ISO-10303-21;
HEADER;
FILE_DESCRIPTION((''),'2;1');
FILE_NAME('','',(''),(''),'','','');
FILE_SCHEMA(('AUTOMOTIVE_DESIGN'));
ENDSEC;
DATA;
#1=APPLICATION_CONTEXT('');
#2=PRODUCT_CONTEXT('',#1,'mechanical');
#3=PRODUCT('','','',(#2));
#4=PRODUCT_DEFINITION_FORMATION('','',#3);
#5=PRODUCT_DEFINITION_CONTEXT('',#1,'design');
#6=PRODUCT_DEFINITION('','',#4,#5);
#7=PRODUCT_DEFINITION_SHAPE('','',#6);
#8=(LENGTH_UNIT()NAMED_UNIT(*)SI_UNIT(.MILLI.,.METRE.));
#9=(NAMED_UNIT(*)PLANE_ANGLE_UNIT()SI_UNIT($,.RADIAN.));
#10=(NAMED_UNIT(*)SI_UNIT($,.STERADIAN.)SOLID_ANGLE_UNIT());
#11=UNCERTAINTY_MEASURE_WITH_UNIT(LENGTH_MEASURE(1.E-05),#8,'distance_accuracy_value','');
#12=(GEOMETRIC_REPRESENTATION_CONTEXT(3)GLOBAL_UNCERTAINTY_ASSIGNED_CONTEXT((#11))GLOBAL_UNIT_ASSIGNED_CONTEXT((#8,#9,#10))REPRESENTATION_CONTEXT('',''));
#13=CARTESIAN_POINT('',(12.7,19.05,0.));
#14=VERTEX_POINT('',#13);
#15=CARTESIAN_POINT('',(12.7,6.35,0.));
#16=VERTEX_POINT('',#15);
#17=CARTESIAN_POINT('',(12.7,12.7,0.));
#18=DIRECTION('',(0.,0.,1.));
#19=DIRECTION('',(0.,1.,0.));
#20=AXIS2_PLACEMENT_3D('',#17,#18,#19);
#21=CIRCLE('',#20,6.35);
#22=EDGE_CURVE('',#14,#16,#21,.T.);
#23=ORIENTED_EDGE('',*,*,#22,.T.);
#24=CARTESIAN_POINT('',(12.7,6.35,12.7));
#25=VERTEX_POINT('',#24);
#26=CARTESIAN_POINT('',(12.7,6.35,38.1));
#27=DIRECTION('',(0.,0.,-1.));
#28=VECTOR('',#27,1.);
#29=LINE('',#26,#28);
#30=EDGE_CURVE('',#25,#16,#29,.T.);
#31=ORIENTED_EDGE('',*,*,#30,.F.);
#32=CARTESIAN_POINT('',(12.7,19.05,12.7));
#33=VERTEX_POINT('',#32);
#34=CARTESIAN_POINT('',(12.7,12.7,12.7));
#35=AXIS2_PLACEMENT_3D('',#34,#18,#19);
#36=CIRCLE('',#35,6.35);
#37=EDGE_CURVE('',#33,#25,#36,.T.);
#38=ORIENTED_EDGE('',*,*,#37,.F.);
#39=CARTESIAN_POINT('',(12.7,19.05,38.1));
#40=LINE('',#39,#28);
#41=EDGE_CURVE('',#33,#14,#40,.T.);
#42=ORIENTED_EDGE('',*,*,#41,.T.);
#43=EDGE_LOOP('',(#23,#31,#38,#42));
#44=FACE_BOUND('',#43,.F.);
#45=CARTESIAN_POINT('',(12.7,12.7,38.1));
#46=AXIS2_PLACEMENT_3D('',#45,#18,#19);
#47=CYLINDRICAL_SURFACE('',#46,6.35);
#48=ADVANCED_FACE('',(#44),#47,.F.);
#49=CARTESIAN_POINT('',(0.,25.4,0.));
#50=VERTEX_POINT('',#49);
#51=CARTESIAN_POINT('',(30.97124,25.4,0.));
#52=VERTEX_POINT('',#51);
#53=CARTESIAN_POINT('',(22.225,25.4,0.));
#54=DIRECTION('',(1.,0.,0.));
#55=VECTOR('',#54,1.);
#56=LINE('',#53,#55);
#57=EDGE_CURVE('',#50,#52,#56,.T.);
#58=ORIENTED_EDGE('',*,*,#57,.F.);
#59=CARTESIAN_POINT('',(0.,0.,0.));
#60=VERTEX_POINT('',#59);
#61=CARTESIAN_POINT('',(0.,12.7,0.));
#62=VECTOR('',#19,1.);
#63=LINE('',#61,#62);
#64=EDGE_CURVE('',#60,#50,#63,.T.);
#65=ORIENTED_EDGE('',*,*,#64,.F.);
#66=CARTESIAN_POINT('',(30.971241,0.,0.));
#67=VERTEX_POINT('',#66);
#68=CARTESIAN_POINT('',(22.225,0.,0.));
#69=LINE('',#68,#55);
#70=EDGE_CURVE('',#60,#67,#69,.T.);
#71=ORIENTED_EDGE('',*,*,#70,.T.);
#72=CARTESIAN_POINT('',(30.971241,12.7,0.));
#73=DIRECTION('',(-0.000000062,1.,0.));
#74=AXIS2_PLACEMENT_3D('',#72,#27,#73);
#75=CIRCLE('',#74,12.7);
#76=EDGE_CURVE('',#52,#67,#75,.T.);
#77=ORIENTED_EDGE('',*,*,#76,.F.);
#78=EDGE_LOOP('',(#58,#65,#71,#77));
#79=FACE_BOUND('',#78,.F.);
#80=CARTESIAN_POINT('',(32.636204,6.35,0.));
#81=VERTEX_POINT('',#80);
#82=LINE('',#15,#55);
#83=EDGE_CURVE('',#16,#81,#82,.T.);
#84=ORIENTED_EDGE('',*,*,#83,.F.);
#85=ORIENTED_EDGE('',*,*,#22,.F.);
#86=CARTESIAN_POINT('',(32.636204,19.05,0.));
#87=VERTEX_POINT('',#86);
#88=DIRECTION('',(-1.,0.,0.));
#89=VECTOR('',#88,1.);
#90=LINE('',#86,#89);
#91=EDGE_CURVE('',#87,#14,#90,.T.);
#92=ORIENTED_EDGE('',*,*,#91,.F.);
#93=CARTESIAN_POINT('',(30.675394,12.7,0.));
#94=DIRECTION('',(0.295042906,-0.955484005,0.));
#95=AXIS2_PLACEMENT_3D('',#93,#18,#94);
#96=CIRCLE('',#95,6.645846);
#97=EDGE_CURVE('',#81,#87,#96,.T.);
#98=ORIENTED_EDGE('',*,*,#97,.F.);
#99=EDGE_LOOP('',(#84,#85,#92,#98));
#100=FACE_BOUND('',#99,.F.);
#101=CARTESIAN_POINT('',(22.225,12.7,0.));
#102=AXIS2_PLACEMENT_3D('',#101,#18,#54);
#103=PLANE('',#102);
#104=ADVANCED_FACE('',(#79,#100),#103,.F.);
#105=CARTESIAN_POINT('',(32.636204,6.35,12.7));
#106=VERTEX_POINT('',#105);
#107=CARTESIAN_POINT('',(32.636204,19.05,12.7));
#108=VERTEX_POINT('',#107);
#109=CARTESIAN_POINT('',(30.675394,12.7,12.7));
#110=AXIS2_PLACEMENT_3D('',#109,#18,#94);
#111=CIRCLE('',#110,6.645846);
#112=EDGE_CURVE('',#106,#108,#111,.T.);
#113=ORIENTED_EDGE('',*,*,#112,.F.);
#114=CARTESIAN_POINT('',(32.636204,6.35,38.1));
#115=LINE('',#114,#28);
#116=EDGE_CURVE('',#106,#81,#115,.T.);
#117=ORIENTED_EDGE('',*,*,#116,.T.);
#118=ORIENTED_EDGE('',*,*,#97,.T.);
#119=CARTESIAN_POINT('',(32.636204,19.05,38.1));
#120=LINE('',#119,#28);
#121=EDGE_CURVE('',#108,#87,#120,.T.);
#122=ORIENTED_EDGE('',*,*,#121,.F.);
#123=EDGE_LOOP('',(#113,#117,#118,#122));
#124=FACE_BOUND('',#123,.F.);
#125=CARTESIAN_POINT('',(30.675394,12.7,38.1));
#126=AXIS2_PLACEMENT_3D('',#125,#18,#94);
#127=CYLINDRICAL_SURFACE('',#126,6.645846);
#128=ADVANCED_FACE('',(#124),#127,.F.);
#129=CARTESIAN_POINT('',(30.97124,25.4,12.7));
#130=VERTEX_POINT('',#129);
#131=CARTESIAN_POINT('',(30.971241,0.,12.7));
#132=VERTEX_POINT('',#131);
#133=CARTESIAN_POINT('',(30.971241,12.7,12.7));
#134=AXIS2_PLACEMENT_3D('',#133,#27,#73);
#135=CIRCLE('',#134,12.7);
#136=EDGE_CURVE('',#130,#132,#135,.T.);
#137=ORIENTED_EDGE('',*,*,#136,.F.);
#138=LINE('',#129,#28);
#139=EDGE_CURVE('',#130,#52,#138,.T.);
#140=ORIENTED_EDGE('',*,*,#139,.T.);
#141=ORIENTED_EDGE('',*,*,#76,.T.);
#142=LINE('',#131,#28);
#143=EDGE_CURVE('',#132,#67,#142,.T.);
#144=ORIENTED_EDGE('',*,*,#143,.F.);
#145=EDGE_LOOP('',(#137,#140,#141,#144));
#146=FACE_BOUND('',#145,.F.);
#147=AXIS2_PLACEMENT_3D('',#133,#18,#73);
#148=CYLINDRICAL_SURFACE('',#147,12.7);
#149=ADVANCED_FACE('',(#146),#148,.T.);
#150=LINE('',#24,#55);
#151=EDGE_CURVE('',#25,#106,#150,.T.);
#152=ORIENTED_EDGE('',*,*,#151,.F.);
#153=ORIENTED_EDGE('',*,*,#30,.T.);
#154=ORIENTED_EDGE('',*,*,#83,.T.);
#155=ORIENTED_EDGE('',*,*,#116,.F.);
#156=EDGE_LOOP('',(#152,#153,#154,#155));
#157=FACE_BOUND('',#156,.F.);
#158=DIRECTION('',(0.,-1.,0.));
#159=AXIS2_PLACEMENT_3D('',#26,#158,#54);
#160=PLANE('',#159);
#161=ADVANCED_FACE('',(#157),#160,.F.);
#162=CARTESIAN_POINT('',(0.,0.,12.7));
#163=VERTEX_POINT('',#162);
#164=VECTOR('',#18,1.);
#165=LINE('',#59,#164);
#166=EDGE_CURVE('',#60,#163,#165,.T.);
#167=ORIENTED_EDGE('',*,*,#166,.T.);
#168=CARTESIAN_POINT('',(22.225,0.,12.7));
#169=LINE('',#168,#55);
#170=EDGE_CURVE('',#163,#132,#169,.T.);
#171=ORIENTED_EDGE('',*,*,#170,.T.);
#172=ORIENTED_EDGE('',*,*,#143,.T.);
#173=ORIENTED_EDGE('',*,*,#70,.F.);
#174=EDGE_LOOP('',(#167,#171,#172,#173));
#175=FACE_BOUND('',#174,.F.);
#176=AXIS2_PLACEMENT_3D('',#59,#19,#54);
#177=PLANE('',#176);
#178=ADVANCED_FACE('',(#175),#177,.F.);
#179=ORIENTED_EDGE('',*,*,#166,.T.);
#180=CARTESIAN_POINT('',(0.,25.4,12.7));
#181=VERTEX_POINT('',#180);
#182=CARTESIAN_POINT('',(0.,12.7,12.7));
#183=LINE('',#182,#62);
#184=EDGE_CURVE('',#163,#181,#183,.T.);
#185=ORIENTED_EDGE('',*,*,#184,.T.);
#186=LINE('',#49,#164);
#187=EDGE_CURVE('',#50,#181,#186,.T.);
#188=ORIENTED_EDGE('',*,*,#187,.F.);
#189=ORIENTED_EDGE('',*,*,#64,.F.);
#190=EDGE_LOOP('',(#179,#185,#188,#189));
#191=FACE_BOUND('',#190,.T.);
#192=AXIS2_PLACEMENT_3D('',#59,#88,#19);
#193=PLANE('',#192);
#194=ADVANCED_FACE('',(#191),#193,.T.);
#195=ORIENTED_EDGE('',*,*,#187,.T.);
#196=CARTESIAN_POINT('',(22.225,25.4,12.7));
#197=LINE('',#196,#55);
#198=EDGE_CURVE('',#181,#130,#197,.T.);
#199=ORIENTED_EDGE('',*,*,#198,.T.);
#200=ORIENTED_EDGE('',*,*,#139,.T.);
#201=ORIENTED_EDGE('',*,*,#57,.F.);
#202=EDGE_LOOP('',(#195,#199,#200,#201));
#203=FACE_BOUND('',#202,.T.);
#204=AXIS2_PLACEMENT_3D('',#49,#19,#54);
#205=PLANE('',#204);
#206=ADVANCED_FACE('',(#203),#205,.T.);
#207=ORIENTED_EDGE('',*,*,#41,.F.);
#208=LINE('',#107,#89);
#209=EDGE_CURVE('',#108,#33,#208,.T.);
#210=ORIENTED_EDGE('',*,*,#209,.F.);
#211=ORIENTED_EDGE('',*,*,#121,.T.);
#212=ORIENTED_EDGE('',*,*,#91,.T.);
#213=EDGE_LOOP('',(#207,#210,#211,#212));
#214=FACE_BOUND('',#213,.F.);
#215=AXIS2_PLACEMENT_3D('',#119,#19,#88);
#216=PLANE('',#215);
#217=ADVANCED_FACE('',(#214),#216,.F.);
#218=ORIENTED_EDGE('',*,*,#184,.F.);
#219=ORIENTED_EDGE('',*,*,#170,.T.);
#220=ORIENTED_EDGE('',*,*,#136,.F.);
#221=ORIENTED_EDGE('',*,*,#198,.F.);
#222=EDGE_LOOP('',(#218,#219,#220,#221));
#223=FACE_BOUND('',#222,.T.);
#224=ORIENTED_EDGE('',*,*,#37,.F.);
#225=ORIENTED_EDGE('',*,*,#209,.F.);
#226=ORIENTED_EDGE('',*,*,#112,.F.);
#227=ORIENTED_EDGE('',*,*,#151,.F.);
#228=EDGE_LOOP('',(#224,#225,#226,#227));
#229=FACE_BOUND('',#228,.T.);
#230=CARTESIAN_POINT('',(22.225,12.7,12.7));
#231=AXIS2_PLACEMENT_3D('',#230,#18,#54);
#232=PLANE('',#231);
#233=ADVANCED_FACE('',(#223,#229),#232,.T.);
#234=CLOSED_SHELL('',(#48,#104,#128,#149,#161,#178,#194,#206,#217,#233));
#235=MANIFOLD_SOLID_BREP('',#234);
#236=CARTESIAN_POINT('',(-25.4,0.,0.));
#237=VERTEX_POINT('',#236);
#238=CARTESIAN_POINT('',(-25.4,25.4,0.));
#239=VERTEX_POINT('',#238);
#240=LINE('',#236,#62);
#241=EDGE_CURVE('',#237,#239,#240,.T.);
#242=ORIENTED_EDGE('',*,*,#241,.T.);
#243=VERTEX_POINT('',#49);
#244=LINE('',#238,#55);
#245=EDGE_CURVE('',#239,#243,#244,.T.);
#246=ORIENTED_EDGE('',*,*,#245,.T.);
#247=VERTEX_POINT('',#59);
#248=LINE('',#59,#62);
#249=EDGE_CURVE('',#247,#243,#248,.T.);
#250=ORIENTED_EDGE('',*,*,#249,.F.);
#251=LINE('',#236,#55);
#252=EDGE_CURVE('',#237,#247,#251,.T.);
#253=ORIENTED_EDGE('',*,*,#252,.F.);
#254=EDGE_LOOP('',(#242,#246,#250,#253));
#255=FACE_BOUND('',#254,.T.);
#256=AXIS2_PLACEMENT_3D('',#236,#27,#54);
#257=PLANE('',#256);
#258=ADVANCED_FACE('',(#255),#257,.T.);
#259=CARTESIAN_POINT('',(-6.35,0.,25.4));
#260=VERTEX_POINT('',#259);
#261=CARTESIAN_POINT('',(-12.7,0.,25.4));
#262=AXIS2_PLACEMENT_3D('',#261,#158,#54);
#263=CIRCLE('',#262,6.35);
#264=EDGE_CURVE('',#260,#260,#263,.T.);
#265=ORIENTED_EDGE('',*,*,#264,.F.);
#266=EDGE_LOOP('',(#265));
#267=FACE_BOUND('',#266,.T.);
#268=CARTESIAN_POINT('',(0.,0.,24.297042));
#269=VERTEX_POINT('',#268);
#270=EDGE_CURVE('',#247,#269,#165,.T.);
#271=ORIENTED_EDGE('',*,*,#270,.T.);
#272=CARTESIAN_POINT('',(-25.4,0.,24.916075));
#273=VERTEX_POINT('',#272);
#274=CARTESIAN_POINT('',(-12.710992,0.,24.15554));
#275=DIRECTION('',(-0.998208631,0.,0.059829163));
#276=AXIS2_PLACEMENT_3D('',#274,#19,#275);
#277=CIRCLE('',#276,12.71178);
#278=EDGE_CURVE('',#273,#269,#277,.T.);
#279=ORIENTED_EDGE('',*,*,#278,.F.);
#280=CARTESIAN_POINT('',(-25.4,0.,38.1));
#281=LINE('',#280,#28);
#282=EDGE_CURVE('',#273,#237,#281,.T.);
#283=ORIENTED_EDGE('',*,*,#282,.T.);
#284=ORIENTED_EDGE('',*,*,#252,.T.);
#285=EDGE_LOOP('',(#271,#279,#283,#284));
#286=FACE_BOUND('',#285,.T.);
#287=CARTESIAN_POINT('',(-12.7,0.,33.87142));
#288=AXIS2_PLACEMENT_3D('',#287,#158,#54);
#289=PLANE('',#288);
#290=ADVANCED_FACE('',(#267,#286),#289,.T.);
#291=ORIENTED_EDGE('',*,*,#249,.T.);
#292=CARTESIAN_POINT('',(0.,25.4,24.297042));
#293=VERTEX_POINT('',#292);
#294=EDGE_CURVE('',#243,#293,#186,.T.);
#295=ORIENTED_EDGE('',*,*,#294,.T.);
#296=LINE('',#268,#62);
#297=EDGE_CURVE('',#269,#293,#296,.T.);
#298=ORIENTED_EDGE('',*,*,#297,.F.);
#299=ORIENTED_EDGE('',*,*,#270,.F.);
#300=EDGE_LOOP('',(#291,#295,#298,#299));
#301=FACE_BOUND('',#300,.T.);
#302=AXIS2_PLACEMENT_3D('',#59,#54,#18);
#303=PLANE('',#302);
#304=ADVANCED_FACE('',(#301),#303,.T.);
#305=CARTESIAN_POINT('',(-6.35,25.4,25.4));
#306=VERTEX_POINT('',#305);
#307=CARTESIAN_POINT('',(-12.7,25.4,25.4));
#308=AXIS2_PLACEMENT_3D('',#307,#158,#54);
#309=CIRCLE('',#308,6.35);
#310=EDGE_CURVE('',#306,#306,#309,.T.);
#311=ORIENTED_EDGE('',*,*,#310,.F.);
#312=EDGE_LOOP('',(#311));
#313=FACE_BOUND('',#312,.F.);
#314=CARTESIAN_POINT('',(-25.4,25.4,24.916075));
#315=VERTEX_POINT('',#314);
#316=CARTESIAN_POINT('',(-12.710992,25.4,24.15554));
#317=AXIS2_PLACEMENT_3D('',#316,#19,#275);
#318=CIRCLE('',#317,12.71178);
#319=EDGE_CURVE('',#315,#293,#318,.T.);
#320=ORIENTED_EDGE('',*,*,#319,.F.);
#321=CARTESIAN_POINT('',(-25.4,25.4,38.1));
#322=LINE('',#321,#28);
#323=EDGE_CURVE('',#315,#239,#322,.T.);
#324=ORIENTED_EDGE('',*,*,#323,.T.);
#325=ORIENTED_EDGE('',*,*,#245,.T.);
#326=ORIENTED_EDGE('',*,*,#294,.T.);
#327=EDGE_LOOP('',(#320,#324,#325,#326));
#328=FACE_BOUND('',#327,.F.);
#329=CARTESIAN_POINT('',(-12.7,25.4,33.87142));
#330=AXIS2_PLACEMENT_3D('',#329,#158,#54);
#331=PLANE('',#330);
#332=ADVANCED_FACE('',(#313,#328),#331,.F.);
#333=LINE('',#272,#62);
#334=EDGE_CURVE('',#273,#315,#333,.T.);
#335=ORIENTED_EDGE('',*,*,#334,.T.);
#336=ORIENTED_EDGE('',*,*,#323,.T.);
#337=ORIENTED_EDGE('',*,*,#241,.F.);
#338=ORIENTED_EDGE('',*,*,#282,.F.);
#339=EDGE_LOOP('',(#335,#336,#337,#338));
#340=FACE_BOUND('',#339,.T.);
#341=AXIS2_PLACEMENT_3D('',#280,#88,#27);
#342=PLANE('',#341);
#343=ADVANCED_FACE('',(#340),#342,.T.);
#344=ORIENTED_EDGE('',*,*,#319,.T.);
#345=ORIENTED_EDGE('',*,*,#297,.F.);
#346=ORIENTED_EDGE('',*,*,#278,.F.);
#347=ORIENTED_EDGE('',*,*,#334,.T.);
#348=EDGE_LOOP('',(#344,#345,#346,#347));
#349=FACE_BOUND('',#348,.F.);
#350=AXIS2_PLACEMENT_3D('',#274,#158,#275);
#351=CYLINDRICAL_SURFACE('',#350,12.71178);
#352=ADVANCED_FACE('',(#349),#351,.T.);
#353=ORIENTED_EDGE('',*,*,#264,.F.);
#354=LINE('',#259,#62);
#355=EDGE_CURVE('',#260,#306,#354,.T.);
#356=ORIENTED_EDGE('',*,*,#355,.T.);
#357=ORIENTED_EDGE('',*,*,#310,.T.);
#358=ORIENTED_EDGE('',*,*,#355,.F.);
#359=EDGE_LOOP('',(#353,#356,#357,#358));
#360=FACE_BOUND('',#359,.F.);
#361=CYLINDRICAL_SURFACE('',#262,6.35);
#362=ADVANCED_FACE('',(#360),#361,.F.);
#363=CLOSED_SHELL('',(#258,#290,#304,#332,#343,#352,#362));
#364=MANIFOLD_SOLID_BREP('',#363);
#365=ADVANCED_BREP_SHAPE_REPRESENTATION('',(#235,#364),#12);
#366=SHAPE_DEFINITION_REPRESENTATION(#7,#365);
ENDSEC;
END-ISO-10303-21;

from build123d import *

# Parameters (mm, degrees)
F0_W      = 44.45
F0_H      = 25.4
F1_DEPTH  = 12.7
F3_DEPTH  = 12.7
F5_DEPTH  = 25.4
F7_DEPTH  = 38.1
F8_R      = 6.35
F9_DEPTH  = 25.4
F11_DEPTH = 25.4


with BuildPart() as f1:
    # F0 (on Top) → F1 (new body)
    with BuildSketch(Plane.XY):
        with Locations((22.225, 12.7)):
            Rectangle(F0_W, F0_H)
    extrude(amount=F1_DEPTH)

    # F2 (on face) → F3 (cut)
    with BuildSketch(Plane.XY.offset(12.7)):
        with BuildLine():
            ThreePointArc((30.971239947, 25.4), (43.6712407327, 12.7000003929), (30.9712407327, 0))
            Line((30.9712407327, 0), (44.45, 0))
            Line((44.45, 0), (44.45, 25.4))
            Line((44.45, 25.4), (30.971239947, 25.4))
        make_face()
    extrude(amount=-F3_DEPTH, mode=Mode.SUBTRACT)

    # F4 (on face) → F5 (join)
    with BuildSketch(Plane.XY.offset(12.7)):
        with BuildLine():
            Line((32.6362041169, 19.05), (12.7, 19.05))
            ThreePointArc((12.7, 19.05), (6.35, 12.7), (12.7, 6.35))
            Line((12.7, 6.35), (32.6362041169, 6.35))
            ThreePointArc((32.6362041169, 6.35), (37.3212407327, 12.7), (32.6362041169, 19.05))
        make_face()
    extrude(amount=F5_DEPTH)

    # F6 (on face) → F7 (cut)
    with BuildSketch(Plane.XY.offset(38.1)):
        with BuildLine():
            Line((12.7, 6.35), (32.6362041169, 6.35))
            ThreePointArc((32.6362041169, 6.35), (37.3212407327, 12.7), (32.6362041169, 19.05))
            Line((32.6362041169, 19.05), (12.7, 19.05))
            ThreePointArc((12.7, 19.05), (6.35, 12.7), (12.7, 6.35))
        make_face()
    extrude(amount=-F7_DEPTH, mode=Mode.SUBTRACT)


with BuildPart() as f9:
    # F8 (on face) → F9 (new body)
    with BuildSketch(Plane.XZ):
        with BuildLine():
            ThreePointArc((-25.4, 25.4), (-12.7, 37.5597154701), (0, 25.4))
            Line((0, 25.4), (0, 38.1))
            Line((0, 38.1), (-25.4, 38.1))
            Line((-25.4, 38.1), (-25.4, 25.4))
        make_face()
        with BuildLine():
            Line((-25.4, 0), (0, 0))
            Line((0, 0), (0, 12.7))
            Line((0, 12.7), (0, 25.4))
            ThreePointArc((0, 25.4), (-12.7, 37.5597154701), (-25.4, 25.4))
            Line((-25.4, 25.4), (-25.4, 0))
        make_face()
        with Locations((-12.7, 25.4)):
            Circle(F8_R, mode=Mode.SUBTRACT)
    extrude(amount=-F9_DEPTH)

    # F10 (on face) → F11 (cut)
    with BuildSketch(Plane.XZ):
        with BuildLine():
            ThreePointArc((-25.4, 24.91607517), (-12.4012801532, 36.8635460854), (0, 24.2970418185))
            Line((0, 24.2970418185), (0, 38.1))
            Line((0, 38.1), (-25.4, 38.1))
            Line((-25.4, 38.1), (-25.4, 24.91607517))
        make_face()
    extrude(amount=-F11_DEPTH, mode=Mode.SUBTRACT)


solid = Compound([f1.part, f9.part])
